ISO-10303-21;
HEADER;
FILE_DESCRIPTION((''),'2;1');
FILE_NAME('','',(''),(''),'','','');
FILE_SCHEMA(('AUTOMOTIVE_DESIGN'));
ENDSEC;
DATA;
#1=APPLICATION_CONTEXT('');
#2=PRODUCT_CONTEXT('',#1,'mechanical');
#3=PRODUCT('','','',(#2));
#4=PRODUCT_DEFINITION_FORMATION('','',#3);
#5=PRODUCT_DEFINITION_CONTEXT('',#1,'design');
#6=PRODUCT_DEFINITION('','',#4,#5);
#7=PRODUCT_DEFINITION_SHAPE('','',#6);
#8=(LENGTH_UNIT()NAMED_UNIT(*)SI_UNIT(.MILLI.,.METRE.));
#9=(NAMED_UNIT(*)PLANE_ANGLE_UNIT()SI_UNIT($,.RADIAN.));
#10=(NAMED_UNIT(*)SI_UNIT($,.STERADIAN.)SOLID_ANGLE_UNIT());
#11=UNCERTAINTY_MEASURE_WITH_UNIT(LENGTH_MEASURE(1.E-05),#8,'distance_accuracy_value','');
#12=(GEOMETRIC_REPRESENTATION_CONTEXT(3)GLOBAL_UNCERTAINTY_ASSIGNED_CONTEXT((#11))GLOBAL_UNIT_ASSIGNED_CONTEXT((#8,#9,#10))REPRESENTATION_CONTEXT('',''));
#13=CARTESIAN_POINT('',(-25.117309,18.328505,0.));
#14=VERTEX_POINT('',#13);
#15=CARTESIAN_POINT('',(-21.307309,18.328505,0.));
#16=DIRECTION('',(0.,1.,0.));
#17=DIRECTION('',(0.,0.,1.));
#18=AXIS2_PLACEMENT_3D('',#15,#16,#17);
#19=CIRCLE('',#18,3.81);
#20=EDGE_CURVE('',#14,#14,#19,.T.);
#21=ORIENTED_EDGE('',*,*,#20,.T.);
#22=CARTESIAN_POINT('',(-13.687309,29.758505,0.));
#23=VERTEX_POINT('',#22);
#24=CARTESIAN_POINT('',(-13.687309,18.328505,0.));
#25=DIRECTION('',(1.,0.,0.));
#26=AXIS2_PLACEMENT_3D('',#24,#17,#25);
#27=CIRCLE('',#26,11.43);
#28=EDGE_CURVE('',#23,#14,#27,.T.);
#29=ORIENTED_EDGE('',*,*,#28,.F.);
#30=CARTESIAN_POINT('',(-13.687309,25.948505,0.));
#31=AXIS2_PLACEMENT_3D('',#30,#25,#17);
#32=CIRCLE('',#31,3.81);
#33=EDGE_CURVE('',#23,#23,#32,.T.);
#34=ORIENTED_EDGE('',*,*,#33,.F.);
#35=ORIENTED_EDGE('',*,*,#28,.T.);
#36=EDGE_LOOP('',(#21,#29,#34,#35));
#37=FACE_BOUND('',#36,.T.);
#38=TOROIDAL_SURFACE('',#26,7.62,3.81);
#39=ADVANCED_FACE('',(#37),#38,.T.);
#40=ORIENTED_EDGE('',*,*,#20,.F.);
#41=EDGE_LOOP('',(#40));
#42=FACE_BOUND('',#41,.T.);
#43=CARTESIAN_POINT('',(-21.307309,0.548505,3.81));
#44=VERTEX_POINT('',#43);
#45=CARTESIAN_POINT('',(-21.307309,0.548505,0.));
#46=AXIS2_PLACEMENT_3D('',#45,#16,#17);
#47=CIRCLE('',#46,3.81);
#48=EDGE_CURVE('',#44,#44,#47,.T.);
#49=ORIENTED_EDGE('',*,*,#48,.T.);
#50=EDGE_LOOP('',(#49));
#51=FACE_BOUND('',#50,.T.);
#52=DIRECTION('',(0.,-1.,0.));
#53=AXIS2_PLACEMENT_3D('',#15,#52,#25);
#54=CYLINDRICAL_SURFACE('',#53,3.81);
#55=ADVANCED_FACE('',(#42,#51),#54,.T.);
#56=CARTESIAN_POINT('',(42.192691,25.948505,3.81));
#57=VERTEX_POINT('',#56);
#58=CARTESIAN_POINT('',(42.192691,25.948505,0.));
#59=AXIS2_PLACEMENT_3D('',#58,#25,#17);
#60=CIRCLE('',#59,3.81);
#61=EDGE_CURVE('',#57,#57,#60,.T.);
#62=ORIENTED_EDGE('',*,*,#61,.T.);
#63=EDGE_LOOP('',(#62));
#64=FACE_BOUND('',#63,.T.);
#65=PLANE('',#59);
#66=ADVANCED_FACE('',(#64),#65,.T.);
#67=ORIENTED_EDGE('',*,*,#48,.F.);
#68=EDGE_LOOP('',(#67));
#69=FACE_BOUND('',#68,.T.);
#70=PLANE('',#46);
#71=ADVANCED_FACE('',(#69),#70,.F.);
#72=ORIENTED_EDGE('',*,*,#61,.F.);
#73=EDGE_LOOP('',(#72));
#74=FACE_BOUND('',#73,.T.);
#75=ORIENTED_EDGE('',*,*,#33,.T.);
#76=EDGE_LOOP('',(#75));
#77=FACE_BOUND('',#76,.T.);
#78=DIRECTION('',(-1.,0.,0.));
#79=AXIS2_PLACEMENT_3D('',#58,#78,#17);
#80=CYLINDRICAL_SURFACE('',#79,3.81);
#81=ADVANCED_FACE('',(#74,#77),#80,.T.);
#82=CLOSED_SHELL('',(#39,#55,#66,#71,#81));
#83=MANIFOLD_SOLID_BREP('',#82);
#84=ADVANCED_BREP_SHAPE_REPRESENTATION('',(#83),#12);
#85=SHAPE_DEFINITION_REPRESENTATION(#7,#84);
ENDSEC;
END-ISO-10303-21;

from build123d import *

# Parameters (mm, degrees)
SWEEP1_PROFILE_R = 3.81


with BuildPart() as part:
    # Sweep1: sweep along a path in Sketch1
    with BuildLine(Plane.XY) as sweep1_path:
        Line((42.19269103, 25.948504983), (-13.68730897, 25.948504983))
        ThreePointArc((-13.68730897, 25.948504983), (-19.075462643, 23.716658656), (-21.30730897, 18.328504983))
        Line((-21.30730897, 18.328504983), (-21.30730897, 0.548504983))
    # Sweep1 profile (on start of the path) → Sweep1 (sweep)
    with BuildSketch(Plane(origin=(42.19269103, 25.948504983, 0), x_dir=(0, 0, -1), z_dir=(-1, 0, 0))):
        Circle(SWEEP1_PROFILE_R)
    sweep(path=sweep1_path.line)


solid = part.part
